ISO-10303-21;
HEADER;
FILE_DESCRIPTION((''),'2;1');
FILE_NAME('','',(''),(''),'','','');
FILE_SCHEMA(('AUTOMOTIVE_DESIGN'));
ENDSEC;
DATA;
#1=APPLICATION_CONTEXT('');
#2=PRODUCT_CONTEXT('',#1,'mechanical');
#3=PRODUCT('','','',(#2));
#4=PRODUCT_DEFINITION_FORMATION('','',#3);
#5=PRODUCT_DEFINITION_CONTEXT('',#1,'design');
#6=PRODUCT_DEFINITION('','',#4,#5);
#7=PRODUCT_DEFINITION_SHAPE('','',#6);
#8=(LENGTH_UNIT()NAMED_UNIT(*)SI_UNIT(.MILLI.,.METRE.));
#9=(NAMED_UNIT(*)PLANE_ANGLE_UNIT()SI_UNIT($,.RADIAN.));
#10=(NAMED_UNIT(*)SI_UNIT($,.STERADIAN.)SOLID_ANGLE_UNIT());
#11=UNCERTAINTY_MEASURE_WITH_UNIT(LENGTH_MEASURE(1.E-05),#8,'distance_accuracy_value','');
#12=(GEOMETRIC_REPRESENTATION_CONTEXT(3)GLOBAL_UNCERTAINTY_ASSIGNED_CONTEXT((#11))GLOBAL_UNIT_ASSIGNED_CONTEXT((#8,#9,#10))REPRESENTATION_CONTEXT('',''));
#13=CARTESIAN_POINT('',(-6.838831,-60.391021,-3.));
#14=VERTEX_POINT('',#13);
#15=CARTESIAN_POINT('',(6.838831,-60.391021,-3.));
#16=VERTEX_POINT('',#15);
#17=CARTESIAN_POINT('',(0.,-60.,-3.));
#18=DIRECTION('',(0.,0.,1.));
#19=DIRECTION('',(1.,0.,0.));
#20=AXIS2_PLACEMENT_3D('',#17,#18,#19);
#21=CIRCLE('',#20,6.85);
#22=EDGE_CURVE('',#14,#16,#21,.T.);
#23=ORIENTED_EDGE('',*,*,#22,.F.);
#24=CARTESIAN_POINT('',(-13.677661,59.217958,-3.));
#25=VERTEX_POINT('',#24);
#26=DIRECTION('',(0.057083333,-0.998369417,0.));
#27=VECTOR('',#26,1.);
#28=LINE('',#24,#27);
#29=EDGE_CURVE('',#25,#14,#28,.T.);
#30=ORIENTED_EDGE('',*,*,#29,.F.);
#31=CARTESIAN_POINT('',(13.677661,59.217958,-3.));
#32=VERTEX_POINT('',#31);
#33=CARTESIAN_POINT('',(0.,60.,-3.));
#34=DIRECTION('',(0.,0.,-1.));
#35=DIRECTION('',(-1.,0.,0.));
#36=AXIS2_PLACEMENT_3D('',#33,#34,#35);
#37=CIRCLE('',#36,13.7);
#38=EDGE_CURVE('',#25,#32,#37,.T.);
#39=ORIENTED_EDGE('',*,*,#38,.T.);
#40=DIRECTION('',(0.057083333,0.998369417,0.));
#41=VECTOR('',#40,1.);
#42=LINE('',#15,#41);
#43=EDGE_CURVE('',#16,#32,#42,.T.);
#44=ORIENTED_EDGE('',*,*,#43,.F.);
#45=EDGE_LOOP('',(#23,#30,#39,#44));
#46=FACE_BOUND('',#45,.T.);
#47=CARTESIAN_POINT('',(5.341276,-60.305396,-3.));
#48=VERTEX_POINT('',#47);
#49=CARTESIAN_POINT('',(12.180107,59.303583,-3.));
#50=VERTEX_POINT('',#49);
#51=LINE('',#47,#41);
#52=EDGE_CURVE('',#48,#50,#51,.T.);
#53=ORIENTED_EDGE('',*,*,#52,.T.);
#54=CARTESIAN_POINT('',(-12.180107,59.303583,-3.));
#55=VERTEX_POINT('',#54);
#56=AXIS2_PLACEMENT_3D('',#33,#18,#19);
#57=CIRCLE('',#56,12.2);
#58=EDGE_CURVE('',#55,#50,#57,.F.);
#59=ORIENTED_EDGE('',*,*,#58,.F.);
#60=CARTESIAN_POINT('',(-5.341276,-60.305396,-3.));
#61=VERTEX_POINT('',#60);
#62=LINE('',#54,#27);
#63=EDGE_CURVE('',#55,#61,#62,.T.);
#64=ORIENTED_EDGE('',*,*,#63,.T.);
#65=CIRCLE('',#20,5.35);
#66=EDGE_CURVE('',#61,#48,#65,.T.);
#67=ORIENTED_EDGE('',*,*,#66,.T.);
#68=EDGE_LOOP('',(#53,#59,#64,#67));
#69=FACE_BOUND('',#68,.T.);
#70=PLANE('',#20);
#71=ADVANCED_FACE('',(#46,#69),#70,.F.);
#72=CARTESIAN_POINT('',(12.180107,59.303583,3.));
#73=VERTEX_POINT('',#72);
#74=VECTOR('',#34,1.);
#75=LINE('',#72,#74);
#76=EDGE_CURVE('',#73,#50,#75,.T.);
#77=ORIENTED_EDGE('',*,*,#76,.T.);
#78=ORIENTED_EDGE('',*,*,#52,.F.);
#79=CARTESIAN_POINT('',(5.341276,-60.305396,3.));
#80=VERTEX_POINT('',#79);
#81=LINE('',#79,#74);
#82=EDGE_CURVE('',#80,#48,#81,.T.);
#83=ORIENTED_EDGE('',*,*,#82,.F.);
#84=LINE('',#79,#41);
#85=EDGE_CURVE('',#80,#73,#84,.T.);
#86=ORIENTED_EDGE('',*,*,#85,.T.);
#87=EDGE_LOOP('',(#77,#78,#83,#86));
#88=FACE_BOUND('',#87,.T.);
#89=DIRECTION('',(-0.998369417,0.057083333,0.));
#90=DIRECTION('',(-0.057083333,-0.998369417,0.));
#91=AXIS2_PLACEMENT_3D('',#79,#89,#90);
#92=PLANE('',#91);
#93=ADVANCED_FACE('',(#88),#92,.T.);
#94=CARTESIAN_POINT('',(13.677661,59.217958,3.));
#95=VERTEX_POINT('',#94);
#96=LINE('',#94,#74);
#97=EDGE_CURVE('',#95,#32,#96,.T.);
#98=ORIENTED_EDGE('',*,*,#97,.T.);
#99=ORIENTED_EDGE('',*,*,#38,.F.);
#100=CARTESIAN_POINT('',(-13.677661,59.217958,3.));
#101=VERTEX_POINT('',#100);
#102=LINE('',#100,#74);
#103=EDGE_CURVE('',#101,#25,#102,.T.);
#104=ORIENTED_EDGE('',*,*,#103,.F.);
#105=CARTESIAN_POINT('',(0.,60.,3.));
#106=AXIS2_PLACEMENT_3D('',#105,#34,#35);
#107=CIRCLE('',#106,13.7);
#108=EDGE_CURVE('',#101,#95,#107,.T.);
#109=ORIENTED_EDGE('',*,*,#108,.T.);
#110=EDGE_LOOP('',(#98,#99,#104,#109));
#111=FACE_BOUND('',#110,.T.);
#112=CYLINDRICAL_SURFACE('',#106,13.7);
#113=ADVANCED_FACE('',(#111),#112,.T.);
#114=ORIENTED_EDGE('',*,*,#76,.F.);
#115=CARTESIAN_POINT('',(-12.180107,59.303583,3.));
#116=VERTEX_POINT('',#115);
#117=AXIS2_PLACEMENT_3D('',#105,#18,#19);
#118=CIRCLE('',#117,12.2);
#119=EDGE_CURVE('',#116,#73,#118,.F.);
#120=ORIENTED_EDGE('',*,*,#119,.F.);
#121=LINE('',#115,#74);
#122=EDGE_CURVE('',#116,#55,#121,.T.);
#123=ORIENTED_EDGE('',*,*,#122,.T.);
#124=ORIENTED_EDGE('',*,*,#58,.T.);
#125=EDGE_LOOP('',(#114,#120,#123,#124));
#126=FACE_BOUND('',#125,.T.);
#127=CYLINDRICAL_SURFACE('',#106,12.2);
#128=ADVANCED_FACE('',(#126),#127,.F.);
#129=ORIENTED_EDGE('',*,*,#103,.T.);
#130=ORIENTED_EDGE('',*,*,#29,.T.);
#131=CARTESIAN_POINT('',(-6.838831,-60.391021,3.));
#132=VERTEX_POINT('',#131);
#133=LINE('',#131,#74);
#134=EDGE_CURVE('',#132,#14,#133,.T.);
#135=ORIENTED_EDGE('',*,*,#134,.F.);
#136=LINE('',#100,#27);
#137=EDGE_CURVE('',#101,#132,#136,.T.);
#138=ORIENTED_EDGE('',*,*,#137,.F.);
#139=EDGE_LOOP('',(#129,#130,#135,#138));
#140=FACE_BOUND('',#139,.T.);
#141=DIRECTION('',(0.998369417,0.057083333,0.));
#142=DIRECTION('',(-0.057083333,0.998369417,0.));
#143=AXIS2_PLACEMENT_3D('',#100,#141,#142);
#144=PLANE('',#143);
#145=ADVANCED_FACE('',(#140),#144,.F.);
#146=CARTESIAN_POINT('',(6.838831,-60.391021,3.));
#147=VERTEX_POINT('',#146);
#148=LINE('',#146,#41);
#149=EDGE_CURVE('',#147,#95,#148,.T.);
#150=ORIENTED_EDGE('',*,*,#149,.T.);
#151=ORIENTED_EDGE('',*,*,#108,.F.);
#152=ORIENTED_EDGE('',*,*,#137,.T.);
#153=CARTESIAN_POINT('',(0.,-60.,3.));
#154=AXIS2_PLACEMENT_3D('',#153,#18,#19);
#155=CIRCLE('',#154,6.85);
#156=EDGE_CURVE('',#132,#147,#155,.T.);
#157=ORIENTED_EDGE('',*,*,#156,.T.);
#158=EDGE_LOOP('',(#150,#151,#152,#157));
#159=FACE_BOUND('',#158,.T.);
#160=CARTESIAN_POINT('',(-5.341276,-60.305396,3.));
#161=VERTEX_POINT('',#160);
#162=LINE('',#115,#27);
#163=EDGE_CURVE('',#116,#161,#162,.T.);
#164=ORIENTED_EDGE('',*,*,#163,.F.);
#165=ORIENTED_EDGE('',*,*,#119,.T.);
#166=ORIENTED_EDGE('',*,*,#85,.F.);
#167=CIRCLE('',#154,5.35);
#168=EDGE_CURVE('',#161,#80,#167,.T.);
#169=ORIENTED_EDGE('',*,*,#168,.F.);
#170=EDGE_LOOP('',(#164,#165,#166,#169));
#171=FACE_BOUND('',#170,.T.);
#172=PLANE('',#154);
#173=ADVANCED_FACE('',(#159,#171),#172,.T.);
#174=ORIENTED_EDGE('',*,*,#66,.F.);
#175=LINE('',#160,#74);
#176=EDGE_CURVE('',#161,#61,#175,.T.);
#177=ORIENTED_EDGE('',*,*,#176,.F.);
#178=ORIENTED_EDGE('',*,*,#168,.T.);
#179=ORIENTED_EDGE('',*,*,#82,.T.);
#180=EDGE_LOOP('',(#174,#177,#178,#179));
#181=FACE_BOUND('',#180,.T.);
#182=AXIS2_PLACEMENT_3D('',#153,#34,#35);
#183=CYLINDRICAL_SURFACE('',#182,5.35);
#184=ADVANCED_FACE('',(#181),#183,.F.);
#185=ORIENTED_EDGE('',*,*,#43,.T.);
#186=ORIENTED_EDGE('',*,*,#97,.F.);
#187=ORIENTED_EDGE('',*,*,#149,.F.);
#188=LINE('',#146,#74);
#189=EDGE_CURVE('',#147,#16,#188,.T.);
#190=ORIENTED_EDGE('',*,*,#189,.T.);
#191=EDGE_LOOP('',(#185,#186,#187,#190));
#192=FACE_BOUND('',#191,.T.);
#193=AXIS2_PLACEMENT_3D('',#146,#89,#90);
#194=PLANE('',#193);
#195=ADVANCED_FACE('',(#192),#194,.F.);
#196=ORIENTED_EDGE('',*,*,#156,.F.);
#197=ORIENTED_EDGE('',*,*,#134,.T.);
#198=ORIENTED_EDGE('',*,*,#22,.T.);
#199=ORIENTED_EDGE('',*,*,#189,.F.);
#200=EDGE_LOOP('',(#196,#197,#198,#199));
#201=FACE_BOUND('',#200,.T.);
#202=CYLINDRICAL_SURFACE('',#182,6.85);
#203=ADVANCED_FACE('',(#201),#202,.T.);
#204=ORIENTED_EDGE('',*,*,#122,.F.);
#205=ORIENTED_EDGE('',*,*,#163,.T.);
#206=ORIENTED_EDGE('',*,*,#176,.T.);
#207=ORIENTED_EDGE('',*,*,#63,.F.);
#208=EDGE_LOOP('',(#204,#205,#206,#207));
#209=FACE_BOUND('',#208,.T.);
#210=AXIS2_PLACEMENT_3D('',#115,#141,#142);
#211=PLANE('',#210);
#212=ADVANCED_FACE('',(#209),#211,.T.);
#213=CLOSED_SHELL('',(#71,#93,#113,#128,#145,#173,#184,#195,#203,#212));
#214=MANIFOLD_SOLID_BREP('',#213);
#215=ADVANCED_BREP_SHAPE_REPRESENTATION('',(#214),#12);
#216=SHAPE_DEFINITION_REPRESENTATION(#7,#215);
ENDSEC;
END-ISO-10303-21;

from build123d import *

# Parameters (mm, degrees)
EXTRUDE_THIN1_DEPTH = 3


with BuildPart() as part:
    # Sketch1 → Extrude-Thin1 (new, symmetric)
    with BuildSketch(Plane.XY):
        with BuildLine():
            Line((6.838830507, -60.391020833), (13.677661015, 59.217958333))
            ThreePointArc((13.677661015, 59.217958333), (0, 73.7), (-13.677661015, 59.217958333))
            Line((-13.677661015, 59.217958333), (-6.838830507, -60.391020833))
            ThreePointArc((-6.838830507, -60.391020833), (0, -66.85), (6.838830507, -60.391020833))
        make_face()
        with BuildLine():
            Line((5.341276382, -60.305395833), (12.180106889, 59.303583333))
            ThreePointArc((12.180106889, 59.303583333), (0, 72.2), (-12.180106889, 59.303583333))
            Line((-12.180106889, 59.303583333), (-5.341276382, -60.305395833))
            ThreePointArc((-5.341276382, -60.305395833), (0, -65.35), (5.341276382, -60.305395833))
        make_face(mode=Mode.SUBTRACT)
    extrude(amount=EXTRUDE_THIN1_DEPTH, both=True)


solid = part.part
